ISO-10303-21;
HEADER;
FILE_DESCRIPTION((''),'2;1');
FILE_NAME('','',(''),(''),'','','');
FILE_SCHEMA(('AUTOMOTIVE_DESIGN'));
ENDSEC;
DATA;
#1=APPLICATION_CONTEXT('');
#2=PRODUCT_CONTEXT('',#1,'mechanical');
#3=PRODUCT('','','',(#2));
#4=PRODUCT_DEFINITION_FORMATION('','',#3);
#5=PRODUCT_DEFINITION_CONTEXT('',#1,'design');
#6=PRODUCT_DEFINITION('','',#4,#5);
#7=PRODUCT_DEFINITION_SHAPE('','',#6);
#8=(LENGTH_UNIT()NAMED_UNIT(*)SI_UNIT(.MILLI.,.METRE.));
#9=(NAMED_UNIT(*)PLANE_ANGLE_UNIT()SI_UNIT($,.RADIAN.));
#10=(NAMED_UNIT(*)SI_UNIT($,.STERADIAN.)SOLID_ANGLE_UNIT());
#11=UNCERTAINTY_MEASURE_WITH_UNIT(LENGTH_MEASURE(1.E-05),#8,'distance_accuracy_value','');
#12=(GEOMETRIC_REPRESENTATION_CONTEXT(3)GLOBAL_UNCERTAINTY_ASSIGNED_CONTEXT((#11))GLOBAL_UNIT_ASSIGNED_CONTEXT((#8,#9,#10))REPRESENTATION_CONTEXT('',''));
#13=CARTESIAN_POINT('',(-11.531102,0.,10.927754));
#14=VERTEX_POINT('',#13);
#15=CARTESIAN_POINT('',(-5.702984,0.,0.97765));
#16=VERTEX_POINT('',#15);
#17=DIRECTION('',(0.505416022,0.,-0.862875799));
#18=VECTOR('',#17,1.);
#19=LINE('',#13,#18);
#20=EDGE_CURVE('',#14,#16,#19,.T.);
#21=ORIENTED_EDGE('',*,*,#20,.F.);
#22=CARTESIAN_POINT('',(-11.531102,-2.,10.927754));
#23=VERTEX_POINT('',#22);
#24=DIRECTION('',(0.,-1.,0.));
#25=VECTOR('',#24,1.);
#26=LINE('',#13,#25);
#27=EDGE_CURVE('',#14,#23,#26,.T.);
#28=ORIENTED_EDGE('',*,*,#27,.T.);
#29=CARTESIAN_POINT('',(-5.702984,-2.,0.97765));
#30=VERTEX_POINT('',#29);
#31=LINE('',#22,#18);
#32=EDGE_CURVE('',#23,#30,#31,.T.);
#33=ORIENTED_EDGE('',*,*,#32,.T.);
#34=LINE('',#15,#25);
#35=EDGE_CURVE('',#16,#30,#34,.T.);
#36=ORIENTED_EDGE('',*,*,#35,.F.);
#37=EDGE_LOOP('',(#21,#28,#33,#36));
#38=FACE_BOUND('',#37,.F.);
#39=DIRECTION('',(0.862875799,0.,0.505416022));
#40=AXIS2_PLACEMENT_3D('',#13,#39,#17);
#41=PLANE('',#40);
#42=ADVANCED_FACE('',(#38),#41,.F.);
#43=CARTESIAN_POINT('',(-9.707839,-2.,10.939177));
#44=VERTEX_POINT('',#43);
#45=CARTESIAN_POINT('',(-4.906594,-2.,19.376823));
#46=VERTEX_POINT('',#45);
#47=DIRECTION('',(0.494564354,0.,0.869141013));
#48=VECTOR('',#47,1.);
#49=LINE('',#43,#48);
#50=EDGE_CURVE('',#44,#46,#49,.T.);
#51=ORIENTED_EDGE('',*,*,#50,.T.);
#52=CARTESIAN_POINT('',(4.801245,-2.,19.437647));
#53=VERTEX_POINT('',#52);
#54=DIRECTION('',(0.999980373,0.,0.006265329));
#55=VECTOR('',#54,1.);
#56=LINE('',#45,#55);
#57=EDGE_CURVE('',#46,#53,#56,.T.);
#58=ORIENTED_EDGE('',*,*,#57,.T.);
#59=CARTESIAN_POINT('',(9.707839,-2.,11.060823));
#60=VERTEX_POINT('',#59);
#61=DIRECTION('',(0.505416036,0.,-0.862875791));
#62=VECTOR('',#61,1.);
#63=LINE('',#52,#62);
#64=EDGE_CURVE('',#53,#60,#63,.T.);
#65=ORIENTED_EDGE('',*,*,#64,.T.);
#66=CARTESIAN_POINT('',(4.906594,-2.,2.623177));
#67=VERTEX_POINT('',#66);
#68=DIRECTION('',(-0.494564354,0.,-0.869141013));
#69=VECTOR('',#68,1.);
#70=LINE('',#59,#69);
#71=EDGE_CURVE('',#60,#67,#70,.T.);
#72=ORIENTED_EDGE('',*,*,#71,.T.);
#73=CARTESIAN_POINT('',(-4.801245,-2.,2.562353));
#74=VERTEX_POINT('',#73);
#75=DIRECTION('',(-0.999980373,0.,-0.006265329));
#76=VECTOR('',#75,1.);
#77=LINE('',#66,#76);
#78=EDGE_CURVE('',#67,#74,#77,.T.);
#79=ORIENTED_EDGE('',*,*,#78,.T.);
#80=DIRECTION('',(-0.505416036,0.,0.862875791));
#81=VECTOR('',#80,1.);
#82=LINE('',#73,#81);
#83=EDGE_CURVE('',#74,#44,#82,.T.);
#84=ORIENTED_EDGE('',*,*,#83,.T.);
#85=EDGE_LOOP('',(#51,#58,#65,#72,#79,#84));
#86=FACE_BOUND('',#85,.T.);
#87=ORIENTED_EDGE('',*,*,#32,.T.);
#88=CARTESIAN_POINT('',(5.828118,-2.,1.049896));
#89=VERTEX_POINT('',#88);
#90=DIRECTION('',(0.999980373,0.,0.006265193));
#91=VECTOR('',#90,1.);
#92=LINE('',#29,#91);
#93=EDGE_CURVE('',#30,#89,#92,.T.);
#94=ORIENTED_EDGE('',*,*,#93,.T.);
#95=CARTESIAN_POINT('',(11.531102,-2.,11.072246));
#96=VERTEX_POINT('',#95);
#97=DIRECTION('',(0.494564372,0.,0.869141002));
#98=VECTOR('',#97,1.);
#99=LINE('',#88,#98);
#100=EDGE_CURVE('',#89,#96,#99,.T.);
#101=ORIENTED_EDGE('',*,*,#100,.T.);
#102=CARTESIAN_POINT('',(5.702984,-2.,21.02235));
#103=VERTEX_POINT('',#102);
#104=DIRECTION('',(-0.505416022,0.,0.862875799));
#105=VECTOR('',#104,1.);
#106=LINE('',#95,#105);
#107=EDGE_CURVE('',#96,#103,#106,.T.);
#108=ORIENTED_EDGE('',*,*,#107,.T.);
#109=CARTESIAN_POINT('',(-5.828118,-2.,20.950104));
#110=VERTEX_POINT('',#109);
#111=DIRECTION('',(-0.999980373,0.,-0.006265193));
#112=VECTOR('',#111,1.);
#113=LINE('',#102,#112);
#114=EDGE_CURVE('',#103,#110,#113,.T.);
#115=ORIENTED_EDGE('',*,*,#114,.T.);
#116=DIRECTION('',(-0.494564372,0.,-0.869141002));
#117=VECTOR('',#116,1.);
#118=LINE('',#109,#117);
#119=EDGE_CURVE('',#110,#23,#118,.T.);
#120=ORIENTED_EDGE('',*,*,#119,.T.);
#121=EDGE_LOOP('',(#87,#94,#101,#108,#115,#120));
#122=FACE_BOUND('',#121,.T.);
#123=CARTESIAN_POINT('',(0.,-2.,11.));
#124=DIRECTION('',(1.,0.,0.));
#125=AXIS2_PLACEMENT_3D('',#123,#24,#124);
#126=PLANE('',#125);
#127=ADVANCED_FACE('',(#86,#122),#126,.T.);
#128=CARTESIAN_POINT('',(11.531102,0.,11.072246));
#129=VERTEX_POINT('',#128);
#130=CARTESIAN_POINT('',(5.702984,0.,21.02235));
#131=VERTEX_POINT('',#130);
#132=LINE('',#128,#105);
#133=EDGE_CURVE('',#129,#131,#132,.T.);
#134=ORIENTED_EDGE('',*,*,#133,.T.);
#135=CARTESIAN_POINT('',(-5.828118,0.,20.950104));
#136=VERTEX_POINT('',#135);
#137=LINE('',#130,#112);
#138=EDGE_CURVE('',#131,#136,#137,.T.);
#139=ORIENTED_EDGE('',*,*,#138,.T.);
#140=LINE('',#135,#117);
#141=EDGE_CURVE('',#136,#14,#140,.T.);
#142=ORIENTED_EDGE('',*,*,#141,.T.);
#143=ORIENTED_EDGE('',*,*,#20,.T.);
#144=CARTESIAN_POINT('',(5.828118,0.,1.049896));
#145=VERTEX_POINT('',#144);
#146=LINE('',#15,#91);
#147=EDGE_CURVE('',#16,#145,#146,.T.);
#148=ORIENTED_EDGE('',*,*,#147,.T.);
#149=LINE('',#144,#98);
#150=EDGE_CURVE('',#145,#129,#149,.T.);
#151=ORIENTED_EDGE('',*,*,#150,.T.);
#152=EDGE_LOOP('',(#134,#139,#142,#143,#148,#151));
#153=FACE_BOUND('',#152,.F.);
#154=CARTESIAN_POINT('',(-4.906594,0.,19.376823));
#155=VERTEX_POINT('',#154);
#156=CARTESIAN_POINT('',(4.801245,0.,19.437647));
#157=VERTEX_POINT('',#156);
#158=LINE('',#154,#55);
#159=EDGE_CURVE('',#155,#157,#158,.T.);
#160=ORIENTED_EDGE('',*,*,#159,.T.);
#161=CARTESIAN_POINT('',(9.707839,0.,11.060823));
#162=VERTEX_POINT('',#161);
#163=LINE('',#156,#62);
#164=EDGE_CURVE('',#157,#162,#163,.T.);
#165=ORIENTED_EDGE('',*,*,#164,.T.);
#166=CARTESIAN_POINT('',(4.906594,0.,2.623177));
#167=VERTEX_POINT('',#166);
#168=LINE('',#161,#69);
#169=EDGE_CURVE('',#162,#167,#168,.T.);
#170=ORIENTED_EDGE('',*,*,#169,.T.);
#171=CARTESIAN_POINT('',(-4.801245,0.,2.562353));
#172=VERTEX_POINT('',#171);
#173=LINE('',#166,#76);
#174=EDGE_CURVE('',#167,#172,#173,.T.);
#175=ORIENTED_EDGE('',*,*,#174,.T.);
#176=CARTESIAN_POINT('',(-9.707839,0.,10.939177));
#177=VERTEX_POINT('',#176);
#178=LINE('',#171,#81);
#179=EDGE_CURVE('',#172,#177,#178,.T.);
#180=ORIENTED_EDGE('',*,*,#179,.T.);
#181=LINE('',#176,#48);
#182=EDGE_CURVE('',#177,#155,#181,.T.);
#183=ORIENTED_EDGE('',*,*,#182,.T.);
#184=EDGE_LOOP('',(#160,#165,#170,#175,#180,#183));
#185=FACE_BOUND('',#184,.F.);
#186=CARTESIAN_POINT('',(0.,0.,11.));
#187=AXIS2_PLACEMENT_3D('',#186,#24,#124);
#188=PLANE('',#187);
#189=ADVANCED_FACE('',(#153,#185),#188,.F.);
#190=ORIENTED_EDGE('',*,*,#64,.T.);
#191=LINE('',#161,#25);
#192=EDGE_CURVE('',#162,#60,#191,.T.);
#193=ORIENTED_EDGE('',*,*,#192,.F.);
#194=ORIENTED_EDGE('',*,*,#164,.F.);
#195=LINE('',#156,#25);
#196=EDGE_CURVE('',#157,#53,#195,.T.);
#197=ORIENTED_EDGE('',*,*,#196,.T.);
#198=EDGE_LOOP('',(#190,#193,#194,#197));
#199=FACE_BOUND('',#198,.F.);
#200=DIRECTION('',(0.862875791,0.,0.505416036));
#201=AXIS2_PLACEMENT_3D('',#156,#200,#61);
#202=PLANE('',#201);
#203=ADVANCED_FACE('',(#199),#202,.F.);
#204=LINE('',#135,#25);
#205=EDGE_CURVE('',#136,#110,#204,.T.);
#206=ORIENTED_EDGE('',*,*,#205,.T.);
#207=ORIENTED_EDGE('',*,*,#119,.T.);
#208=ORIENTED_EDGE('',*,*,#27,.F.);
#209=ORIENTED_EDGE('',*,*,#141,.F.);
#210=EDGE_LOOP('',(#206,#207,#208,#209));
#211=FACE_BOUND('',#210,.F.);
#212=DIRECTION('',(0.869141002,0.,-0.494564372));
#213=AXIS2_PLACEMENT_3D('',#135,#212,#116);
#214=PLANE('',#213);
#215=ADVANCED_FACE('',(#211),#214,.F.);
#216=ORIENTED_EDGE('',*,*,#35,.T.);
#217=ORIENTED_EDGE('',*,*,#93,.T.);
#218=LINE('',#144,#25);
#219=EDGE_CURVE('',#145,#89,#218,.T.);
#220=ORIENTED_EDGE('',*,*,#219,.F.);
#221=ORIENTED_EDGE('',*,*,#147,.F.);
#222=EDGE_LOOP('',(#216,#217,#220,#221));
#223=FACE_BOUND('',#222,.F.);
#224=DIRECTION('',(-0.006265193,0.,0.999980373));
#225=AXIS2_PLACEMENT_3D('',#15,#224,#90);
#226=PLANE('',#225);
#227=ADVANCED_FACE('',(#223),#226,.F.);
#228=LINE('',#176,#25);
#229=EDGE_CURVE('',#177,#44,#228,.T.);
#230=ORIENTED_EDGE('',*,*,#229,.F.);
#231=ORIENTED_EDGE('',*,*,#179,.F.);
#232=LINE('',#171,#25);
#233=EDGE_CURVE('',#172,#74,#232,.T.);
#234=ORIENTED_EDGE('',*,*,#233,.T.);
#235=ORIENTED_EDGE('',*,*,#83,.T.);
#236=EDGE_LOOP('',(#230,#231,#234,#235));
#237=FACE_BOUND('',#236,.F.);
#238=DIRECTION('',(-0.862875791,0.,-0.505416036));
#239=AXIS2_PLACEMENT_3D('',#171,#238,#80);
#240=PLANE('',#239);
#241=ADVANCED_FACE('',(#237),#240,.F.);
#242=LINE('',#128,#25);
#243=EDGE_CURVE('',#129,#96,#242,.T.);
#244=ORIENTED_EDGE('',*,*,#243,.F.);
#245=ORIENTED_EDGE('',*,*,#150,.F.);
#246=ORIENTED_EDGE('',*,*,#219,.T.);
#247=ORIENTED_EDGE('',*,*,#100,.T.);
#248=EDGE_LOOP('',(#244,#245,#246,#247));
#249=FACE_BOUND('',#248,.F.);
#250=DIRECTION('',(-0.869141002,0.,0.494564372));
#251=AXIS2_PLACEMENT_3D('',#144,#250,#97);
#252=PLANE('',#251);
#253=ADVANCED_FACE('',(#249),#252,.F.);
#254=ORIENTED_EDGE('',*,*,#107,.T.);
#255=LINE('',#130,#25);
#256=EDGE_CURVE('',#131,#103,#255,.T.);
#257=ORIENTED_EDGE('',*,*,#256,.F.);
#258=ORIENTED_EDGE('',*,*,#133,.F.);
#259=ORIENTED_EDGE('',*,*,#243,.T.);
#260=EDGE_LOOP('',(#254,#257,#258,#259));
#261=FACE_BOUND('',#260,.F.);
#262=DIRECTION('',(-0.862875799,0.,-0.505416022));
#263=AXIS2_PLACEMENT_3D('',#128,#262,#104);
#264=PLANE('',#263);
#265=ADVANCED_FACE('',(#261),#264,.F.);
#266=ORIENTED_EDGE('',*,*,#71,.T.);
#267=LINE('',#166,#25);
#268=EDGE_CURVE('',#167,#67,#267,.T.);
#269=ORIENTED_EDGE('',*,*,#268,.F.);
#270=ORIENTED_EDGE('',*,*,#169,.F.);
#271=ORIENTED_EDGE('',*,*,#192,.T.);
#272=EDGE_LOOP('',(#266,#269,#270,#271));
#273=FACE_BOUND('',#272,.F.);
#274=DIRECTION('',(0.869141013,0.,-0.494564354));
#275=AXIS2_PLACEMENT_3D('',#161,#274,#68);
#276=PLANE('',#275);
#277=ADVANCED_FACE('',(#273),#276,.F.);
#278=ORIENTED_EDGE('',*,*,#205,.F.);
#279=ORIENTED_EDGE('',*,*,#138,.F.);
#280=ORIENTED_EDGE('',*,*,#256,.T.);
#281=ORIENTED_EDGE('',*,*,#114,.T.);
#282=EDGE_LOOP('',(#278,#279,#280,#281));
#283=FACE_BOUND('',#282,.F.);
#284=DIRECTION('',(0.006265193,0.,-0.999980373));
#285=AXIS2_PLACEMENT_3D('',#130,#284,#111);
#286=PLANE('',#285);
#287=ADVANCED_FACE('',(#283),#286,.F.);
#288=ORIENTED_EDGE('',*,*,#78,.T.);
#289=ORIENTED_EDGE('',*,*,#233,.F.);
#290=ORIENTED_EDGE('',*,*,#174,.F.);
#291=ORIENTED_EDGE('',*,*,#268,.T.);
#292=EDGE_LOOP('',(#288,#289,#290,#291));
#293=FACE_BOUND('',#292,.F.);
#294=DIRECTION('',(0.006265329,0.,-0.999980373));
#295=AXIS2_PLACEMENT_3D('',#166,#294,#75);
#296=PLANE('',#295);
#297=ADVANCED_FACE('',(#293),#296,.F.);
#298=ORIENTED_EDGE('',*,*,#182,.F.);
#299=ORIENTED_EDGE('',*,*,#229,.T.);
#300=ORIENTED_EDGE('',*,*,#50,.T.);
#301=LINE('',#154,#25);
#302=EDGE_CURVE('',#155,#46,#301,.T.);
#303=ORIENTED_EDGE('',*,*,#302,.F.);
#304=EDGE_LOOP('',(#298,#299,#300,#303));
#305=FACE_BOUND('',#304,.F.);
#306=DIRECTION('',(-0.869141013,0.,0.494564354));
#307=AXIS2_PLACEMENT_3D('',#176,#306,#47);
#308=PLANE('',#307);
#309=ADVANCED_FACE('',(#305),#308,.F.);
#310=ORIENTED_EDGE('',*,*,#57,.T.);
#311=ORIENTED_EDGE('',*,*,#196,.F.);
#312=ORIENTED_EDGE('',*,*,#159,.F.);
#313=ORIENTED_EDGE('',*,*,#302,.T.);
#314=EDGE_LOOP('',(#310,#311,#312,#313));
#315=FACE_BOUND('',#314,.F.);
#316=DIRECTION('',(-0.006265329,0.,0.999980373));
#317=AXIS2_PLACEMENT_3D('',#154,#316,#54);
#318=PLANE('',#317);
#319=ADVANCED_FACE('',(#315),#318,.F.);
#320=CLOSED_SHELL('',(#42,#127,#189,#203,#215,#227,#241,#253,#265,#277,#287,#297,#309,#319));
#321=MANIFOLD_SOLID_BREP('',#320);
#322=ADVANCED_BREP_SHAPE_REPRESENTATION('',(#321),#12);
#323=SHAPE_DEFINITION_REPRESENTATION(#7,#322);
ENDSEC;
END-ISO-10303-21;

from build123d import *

# Parameters (mm, degrees)
F1_DEPTH = 2


with BuildPart() as f1:
    # F0 (on Front) → F1 (new body)
    with BuildSketch(Plane.XZ):
        Polygon((11.531102, 0.072246), (5.702984, 10.02235), (-5.828118, 9.950104), (-11.531102, -0.072246), (-5.702984, -10.02235), (5.828118, -9.950104), align=None)
        Polygon((-4.906594, 8.376823), (4.801245, 8.437647), (9.707839, 0.060823), (4.906594, -8.376823), (-4.801245, -8.437647), (-9.707839, -0.060823), align=None, mode=Mode.SUBTRACT)
    extrude(amount=F1_DEPTH)


with BuildPart() as f1_1:
    # F2: moved
    add(f1.part.moved(Location((0, 0, 11))))


solid = f1_1.part
